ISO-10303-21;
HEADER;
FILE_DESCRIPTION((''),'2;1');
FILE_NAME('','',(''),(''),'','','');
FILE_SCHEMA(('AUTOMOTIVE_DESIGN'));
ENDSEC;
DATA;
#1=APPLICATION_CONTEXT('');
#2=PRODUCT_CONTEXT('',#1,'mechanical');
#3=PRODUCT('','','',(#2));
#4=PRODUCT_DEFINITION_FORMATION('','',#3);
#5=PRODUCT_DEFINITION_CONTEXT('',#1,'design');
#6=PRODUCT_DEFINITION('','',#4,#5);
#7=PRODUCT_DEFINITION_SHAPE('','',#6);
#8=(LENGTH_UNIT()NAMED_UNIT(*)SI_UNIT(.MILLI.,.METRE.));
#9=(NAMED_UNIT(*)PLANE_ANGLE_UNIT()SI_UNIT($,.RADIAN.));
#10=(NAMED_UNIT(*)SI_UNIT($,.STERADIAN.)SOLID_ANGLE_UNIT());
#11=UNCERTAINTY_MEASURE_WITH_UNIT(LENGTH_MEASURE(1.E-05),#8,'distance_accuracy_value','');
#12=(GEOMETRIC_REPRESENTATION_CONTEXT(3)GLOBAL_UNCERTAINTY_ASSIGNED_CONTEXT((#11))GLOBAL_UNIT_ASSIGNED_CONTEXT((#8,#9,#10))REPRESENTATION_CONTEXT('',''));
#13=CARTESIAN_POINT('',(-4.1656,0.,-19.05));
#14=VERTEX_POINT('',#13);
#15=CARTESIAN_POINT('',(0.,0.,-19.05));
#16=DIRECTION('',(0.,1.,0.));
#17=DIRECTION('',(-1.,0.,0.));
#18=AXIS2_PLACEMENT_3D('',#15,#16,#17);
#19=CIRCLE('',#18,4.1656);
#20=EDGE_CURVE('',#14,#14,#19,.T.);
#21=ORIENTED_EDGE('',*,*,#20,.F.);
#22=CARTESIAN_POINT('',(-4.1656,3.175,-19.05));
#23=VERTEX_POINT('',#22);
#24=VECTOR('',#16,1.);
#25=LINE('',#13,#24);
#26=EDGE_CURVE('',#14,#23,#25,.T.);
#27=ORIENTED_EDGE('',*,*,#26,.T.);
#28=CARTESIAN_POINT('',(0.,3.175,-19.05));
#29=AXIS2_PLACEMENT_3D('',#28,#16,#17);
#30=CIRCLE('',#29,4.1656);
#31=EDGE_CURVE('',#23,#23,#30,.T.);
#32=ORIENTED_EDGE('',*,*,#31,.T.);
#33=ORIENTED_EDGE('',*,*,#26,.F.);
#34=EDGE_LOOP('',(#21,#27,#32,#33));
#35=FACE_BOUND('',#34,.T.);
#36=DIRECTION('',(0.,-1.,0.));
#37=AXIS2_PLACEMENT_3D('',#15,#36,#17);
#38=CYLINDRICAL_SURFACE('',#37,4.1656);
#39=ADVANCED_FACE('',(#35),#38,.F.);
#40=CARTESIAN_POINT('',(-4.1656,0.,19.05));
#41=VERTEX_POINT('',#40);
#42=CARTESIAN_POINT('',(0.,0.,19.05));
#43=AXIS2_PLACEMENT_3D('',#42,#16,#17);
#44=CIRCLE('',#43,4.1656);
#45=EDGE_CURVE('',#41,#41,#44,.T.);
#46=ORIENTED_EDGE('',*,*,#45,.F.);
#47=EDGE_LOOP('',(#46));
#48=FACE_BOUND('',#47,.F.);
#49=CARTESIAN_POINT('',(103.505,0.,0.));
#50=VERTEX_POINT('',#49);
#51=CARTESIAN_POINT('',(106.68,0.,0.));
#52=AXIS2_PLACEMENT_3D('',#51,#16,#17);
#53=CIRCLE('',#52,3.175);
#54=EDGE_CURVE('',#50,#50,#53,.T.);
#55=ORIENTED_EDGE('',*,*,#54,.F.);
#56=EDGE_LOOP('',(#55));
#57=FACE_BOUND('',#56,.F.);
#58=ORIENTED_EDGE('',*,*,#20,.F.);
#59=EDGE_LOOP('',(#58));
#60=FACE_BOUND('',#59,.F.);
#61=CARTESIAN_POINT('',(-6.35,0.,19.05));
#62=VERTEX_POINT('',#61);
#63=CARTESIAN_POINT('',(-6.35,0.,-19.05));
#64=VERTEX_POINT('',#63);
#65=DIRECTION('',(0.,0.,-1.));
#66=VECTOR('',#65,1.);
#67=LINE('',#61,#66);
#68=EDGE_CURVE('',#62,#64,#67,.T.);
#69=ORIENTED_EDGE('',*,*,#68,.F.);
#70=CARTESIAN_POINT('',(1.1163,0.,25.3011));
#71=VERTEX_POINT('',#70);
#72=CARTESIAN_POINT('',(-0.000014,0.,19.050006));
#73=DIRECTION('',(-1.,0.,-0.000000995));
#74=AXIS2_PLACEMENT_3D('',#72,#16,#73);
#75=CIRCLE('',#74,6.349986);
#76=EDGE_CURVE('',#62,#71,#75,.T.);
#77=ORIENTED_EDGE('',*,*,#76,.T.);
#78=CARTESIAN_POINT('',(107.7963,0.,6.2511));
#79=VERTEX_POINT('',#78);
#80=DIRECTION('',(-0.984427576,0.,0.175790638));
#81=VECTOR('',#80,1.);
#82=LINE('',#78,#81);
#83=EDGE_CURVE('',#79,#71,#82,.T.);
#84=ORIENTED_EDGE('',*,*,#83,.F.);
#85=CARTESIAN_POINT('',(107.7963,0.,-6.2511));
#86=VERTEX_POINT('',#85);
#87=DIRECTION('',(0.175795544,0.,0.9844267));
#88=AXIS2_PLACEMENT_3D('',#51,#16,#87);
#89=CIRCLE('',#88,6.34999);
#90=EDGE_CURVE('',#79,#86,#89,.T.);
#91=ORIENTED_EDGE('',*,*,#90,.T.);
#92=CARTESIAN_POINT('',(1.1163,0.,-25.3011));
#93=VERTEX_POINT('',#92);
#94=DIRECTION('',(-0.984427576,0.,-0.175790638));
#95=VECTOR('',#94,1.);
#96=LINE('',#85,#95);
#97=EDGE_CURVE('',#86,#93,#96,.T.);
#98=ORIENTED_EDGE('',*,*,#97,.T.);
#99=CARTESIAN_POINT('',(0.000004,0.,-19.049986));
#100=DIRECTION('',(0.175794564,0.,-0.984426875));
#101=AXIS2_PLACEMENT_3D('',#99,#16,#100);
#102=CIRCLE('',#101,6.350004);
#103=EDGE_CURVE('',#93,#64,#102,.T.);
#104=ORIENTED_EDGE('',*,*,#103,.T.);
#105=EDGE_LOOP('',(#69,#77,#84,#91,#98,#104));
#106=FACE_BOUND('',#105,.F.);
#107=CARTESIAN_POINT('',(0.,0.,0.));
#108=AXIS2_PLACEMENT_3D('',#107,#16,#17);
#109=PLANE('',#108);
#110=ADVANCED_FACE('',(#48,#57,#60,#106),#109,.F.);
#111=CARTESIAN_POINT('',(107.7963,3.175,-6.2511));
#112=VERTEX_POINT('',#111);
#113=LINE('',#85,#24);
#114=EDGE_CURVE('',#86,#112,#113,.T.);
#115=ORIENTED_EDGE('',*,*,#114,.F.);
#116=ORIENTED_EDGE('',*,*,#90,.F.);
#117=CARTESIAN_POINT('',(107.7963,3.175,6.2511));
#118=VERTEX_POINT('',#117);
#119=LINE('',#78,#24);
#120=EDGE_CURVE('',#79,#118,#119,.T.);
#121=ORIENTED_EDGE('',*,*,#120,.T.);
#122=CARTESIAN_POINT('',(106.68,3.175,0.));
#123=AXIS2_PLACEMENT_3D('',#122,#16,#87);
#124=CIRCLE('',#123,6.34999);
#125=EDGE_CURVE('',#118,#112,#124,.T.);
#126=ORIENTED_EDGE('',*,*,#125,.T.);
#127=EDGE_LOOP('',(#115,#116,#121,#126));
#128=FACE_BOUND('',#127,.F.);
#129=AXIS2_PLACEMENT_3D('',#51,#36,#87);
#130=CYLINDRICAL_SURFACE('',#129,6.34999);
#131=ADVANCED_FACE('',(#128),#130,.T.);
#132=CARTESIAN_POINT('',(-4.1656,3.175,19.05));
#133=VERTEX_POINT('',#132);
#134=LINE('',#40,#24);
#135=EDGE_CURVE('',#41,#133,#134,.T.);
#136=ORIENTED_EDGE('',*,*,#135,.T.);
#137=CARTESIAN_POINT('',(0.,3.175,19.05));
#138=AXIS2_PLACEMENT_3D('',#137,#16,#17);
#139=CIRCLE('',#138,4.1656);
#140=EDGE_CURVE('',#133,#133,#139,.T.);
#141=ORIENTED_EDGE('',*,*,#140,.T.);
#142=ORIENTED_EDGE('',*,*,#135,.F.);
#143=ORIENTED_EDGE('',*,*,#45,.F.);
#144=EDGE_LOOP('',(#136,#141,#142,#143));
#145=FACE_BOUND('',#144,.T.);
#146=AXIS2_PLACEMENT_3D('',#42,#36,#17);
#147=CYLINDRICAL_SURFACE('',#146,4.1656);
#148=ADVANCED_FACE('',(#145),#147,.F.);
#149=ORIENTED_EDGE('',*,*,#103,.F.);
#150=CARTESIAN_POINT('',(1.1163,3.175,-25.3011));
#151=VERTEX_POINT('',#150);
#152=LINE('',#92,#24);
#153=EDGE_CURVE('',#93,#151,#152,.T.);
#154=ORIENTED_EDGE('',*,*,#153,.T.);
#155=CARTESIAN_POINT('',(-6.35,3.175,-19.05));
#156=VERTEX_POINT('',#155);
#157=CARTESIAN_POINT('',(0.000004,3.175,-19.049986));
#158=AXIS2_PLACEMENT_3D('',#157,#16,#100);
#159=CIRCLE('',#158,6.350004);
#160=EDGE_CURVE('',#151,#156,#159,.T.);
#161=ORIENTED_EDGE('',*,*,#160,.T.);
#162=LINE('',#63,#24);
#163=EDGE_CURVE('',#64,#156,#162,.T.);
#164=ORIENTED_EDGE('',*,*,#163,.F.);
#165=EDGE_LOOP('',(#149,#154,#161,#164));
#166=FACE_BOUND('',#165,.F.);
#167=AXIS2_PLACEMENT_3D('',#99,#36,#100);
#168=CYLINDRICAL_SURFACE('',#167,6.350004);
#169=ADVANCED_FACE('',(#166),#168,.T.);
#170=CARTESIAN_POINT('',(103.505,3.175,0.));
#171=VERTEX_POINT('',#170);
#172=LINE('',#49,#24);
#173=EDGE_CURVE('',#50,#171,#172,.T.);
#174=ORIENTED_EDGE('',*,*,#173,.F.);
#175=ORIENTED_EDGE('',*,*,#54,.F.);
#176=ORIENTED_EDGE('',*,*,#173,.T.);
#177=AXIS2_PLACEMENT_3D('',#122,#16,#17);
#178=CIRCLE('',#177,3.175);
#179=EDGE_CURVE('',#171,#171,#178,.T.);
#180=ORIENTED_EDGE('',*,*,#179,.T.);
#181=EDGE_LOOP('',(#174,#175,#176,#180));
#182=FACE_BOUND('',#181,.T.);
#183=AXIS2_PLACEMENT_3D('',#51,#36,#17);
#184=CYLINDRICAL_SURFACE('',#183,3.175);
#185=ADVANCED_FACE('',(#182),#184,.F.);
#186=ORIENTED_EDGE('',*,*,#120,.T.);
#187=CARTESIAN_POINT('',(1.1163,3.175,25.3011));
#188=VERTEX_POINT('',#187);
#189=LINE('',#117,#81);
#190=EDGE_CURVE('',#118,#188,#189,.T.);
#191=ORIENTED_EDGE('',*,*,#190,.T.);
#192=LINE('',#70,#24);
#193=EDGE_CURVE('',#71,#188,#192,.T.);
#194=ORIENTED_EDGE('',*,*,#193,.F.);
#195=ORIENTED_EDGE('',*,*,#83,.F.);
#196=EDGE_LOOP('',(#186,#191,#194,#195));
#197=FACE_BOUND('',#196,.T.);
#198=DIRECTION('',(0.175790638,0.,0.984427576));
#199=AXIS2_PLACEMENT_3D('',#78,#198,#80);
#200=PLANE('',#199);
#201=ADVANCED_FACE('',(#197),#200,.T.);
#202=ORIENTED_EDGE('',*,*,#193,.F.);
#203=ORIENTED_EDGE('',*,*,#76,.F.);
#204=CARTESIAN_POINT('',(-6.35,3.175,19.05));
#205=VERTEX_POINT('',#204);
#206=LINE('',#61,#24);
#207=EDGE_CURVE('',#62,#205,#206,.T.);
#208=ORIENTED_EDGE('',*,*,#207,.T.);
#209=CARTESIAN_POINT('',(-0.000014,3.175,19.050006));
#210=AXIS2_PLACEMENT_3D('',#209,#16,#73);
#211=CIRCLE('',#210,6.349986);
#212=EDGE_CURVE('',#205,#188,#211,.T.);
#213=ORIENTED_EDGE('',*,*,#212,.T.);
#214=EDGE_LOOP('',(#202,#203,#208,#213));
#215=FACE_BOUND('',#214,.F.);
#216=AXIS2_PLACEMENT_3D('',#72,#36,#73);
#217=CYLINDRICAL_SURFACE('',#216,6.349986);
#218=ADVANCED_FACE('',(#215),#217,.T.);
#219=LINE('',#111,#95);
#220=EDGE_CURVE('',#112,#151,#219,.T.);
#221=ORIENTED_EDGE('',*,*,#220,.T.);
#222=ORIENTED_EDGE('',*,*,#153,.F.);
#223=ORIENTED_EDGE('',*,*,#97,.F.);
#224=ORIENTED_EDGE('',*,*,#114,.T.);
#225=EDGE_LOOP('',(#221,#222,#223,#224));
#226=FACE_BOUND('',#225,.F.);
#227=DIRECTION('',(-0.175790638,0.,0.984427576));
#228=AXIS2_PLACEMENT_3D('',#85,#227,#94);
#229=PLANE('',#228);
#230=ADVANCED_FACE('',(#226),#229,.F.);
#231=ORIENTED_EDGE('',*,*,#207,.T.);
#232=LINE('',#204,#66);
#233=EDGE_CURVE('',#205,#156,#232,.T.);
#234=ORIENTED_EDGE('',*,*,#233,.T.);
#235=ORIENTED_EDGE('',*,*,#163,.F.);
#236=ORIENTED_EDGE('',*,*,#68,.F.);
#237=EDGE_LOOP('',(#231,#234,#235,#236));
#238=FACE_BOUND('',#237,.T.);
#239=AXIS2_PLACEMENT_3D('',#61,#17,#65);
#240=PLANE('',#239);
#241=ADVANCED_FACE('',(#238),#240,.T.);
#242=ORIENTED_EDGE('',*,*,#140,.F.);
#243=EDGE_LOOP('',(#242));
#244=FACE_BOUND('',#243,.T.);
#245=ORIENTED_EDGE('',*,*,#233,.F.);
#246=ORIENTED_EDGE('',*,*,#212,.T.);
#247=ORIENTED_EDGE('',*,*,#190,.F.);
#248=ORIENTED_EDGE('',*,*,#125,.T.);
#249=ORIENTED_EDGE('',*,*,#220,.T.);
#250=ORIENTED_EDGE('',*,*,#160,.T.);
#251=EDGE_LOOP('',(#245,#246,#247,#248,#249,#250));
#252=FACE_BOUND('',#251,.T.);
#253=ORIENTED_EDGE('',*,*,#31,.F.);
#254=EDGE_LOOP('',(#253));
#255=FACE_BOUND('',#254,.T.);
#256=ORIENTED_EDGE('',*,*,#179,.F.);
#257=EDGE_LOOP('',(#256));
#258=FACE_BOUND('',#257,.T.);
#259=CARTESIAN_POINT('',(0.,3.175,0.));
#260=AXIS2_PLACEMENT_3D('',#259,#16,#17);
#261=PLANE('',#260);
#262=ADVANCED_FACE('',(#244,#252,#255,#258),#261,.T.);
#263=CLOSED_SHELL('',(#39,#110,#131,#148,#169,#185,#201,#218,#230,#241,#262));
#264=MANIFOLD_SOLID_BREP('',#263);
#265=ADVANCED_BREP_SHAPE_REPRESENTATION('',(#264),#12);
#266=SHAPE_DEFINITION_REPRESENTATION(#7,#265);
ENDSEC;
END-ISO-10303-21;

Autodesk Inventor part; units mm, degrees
ref_plane "YZ Plane" through (0, 0, 0) normal (1, 0, 0) x (0, 1, 0)
ref_plane "XZ Plane" through (0, 0, 0) normal (0, 1, 0) x (-1, 0, 0)
ref_plane "XY Plane" through (0, 0, 0) normal (0, 0, 1) x (1, 0, 0)
sketch "Sketch1" plane through (0, 0, 0) normal (0, 1, 0) x (-1, 0, 0)
  circle A0 centre (0, 19.05) radius 4.1656
  circle A1 centre (0, -19.05) radius 4.1656
  circle A2 centre (-106.68, 0) radius 3.175
  arc A3 (6.35, 19.05) -> (-1.1163, 25.3011) centre (0, 19.05) ccw
  arc A4 (-1.1163, -25.3011) -> (6.35, -19.05) centre (0, -19.05) ccw
  line L0 (0, 19.05) -> (-106.68, 0) construction
  line L1 (-106.68, 0) -> (0, -19.05) construction
  line L2 (-107.7963, -6.2511) -> (-1.1163, -25.3011)
  line L3 (-107.7963, 6.2511) -> (-1.1163, 25.3011)
  line L4 (-132.5233, 0) -> (35.4452, 0) construction
  line L5 (6.35, 19.05) -> (6.35, -19.05)
  arc A5 (-107.7963, 6.2511) -> (-107.7963, -6.2511) centre (-106.68, 0) ccw
  point P0 (0, 0)
  dimension "d0" = 38.1
  dimension "d2" = 19.05
  dimension "d3" = 106.68
  dimension "d4" = 8.3312
  dimension "d5" = 8.3312
  dimension "d6" = 6.35
  dimension "d8" = 12.7
  dimension "d9" = 12.7
  dimension "d10" = 20.249
  dimension "d11" = 6.35
  dimension "d12" = 79.875
  dimension "d13" = 0
  dimension "d14" = 29.0952
  dimension "d15" = 138.8733
extrude "Extrusion1" add sketch "Sketch1" along normal blind 3.175
equation "\"d2\" = 0.5 * d0"
equation "\"d5\" = d4"
properties part number "x_axis_shaft_support"
